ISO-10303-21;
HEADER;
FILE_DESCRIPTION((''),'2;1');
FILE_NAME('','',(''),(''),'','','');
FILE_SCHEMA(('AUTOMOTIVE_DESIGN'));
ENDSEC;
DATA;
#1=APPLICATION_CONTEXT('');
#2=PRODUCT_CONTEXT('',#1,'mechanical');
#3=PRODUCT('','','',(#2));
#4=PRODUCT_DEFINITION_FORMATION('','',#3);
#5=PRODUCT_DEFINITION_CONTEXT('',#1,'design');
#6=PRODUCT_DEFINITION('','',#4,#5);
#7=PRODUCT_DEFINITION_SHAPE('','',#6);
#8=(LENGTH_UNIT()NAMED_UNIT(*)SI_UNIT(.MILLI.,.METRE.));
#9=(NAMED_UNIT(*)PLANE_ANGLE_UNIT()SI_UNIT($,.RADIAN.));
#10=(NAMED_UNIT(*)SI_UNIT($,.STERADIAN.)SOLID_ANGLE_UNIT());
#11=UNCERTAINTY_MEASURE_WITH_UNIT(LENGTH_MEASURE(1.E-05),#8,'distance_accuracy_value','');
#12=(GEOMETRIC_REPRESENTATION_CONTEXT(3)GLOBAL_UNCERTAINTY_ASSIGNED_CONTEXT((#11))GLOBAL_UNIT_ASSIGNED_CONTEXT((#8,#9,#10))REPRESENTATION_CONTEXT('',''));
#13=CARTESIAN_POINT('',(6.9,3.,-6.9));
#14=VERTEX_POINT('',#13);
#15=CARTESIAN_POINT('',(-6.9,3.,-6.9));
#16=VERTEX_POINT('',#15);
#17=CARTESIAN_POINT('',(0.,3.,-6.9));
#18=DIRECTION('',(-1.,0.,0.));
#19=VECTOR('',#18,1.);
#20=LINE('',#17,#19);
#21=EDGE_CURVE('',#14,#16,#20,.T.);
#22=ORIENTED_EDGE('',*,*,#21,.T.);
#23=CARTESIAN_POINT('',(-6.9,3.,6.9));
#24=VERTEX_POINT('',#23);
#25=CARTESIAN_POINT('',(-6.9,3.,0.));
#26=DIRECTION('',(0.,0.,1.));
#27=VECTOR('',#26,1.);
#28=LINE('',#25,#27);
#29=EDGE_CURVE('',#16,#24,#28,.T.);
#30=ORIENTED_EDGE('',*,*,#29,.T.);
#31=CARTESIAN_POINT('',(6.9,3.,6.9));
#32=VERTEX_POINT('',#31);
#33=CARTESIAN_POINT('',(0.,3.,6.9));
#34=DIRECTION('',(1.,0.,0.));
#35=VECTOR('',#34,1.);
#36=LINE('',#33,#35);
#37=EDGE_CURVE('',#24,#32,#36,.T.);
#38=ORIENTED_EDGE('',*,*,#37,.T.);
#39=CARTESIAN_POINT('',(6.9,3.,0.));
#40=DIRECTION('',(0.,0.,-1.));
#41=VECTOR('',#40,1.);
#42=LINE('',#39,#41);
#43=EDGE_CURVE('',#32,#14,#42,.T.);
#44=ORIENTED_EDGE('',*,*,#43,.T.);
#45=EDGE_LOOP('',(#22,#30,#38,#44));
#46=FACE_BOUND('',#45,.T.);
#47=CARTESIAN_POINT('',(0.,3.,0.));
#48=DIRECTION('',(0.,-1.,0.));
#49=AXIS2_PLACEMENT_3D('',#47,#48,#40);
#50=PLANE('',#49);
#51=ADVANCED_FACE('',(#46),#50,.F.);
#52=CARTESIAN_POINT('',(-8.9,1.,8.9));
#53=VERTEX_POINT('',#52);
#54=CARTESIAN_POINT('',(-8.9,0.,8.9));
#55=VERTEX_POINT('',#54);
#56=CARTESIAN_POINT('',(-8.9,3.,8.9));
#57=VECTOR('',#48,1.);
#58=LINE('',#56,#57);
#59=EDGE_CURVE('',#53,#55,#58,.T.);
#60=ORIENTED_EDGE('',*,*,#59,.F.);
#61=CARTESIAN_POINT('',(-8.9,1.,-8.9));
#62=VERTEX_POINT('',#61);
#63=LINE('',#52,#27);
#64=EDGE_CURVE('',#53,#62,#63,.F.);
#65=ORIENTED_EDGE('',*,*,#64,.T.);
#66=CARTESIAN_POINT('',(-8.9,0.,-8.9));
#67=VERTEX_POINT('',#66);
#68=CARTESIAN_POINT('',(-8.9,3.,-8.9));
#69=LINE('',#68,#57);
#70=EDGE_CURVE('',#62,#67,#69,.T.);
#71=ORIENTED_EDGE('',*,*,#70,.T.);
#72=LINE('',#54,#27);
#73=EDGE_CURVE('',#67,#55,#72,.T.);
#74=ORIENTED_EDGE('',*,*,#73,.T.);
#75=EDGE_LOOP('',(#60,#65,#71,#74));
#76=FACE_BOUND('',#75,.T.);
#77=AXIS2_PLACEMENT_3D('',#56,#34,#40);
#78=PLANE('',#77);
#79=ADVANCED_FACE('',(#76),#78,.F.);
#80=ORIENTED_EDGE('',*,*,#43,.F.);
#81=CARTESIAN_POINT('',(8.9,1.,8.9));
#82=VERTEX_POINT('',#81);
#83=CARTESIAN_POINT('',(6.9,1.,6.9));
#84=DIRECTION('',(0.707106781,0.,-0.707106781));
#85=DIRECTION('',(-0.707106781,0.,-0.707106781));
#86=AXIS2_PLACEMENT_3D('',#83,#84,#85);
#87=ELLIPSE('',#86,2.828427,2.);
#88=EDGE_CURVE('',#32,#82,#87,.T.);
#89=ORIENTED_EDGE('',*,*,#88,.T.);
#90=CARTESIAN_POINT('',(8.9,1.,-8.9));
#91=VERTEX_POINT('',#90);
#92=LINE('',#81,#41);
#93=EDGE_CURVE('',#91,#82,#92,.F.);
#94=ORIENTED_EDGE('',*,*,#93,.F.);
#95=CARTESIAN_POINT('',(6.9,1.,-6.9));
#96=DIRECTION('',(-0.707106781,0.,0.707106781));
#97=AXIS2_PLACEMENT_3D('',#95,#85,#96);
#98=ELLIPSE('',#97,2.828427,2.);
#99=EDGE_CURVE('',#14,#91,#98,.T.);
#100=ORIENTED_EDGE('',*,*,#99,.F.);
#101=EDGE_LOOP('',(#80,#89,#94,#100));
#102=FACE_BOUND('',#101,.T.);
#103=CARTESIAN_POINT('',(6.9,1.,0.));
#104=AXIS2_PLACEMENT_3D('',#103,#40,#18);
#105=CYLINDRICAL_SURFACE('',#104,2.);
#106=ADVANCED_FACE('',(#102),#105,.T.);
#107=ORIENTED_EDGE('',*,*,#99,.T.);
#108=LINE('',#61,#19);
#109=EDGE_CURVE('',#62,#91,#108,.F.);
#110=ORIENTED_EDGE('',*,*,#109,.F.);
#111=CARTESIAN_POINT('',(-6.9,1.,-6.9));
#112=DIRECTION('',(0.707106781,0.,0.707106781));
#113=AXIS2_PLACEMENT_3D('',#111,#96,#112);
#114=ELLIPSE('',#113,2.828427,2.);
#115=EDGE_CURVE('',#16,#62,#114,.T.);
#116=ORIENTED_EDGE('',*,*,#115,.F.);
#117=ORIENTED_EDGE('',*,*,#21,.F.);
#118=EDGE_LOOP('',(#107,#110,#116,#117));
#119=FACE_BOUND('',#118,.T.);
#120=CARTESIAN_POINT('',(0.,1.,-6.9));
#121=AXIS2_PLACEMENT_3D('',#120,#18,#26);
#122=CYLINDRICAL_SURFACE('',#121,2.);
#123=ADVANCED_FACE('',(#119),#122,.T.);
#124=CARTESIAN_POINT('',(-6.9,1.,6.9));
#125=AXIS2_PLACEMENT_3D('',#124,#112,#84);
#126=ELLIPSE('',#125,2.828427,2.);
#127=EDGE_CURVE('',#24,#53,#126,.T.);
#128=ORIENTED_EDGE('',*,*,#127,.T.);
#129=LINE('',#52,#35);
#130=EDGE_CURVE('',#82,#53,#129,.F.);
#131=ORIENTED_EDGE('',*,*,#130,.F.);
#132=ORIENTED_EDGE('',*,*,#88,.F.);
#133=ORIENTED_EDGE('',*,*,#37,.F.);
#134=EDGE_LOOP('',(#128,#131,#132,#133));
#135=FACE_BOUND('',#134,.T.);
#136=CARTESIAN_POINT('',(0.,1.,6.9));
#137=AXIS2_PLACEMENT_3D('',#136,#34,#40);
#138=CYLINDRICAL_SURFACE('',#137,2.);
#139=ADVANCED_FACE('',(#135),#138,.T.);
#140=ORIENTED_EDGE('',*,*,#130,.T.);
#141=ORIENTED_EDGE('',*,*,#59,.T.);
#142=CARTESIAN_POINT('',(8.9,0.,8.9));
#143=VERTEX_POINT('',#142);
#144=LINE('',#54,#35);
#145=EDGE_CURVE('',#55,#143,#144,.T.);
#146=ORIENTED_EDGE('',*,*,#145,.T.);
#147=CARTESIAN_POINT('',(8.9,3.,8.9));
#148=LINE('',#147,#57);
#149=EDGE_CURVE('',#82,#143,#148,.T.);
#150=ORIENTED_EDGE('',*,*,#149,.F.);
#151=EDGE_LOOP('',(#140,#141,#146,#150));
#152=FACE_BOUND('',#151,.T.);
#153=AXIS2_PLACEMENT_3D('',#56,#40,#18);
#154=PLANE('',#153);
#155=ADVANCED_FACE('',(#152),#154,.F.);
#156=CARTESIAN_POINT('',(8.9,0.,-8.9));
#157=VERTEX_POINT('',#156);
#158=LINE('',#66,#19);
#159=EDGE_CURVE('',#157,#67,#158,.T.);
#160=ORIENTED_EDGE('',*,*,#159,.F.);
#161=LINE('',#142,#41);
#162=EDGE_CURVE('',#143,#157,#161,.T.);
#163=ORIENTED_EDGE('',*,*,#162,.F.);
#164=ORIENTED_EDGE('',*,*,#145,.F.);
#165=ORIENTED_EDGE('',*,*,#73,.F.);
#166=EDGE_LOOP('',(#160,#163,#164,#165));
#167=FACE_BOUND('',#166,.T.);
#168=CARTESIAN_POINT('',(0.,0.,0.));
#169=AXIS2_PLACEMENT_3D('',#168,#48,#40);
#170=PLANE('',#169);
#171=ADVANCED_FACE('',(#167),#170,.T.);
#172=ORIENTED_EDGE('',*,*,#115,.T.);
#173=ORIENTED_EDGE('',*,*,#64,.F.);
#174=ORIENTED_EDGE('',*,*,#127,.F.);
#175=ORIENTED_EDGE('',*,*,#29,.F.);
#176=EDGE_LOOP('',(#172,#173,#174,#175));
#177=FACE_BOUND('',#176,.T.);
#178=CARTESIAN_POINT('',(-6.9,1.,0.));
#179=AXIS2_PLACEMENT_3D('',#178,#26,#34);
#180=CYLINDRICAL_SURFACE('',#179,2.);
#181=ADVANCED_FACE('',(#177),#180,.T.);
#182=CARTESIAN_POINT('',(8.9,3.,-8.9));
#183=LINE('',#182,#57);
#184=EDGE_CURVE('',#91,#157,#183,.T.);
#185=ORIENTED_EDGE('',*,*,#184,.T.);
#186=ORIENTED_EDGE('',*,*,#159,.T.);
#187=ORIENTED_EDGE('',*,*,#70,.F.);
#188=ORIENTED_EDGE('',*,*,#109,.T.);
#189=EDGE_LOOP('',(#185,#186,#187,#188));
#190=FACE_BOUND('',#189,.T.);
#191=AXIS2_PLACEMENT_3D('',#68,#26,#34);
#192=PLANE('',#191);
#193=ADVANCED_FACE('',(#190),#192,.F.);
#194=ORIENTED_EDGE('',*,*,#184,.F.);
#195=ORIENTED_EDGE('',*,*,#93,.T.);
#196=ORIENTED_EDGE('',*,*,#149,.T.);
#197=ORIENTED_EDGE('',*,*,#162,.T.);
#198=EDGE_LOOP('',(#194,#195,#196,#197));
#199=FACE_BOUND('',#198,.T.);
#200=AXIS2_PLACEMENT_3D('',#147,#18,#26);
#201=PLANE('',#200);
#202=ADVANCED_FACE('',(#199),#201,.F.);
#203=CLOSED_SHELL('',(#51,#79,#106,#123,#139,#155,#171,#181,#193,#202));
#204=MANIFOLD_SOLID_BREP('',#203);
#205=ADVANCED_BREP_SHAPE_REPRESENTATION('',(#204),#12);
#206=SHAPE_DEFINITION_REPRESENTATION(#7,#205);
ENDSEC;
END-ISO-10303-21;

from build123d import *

# Parameters (mm, degrees)
SKETCH_1_W      = 17.8
SKETCH_1_H      = 17.8
EXTRUDE_1_DEPTH = 3
FILLET_1_R      = 2


with BuildPart() as part:
    # Эскиз1 → Бобышка-Вытянуть1 (new body)
    with BuildSketch(Plane(origin=(0, 0, 0), x_dir=(1, 0, 0), z_dir=(0, 1, 0))):
        Rectangle(SKETCH_1_W, SKETCH_1_H)
    extrude(amount=EXTRUDE_1_DEPTH)

    # Скругление1
    fillet_1_edges = [part.edges().sort_by_distance(p)[0] for p in [
        (-8.9, 3, 0),
        (0, 3, 8.9),
        (8.9, 3, 0),
        (0, 3, -8.9),
    ]]
    fillet(fillet_1_edges, radius=FILLET_1_R)


solid = part.part
